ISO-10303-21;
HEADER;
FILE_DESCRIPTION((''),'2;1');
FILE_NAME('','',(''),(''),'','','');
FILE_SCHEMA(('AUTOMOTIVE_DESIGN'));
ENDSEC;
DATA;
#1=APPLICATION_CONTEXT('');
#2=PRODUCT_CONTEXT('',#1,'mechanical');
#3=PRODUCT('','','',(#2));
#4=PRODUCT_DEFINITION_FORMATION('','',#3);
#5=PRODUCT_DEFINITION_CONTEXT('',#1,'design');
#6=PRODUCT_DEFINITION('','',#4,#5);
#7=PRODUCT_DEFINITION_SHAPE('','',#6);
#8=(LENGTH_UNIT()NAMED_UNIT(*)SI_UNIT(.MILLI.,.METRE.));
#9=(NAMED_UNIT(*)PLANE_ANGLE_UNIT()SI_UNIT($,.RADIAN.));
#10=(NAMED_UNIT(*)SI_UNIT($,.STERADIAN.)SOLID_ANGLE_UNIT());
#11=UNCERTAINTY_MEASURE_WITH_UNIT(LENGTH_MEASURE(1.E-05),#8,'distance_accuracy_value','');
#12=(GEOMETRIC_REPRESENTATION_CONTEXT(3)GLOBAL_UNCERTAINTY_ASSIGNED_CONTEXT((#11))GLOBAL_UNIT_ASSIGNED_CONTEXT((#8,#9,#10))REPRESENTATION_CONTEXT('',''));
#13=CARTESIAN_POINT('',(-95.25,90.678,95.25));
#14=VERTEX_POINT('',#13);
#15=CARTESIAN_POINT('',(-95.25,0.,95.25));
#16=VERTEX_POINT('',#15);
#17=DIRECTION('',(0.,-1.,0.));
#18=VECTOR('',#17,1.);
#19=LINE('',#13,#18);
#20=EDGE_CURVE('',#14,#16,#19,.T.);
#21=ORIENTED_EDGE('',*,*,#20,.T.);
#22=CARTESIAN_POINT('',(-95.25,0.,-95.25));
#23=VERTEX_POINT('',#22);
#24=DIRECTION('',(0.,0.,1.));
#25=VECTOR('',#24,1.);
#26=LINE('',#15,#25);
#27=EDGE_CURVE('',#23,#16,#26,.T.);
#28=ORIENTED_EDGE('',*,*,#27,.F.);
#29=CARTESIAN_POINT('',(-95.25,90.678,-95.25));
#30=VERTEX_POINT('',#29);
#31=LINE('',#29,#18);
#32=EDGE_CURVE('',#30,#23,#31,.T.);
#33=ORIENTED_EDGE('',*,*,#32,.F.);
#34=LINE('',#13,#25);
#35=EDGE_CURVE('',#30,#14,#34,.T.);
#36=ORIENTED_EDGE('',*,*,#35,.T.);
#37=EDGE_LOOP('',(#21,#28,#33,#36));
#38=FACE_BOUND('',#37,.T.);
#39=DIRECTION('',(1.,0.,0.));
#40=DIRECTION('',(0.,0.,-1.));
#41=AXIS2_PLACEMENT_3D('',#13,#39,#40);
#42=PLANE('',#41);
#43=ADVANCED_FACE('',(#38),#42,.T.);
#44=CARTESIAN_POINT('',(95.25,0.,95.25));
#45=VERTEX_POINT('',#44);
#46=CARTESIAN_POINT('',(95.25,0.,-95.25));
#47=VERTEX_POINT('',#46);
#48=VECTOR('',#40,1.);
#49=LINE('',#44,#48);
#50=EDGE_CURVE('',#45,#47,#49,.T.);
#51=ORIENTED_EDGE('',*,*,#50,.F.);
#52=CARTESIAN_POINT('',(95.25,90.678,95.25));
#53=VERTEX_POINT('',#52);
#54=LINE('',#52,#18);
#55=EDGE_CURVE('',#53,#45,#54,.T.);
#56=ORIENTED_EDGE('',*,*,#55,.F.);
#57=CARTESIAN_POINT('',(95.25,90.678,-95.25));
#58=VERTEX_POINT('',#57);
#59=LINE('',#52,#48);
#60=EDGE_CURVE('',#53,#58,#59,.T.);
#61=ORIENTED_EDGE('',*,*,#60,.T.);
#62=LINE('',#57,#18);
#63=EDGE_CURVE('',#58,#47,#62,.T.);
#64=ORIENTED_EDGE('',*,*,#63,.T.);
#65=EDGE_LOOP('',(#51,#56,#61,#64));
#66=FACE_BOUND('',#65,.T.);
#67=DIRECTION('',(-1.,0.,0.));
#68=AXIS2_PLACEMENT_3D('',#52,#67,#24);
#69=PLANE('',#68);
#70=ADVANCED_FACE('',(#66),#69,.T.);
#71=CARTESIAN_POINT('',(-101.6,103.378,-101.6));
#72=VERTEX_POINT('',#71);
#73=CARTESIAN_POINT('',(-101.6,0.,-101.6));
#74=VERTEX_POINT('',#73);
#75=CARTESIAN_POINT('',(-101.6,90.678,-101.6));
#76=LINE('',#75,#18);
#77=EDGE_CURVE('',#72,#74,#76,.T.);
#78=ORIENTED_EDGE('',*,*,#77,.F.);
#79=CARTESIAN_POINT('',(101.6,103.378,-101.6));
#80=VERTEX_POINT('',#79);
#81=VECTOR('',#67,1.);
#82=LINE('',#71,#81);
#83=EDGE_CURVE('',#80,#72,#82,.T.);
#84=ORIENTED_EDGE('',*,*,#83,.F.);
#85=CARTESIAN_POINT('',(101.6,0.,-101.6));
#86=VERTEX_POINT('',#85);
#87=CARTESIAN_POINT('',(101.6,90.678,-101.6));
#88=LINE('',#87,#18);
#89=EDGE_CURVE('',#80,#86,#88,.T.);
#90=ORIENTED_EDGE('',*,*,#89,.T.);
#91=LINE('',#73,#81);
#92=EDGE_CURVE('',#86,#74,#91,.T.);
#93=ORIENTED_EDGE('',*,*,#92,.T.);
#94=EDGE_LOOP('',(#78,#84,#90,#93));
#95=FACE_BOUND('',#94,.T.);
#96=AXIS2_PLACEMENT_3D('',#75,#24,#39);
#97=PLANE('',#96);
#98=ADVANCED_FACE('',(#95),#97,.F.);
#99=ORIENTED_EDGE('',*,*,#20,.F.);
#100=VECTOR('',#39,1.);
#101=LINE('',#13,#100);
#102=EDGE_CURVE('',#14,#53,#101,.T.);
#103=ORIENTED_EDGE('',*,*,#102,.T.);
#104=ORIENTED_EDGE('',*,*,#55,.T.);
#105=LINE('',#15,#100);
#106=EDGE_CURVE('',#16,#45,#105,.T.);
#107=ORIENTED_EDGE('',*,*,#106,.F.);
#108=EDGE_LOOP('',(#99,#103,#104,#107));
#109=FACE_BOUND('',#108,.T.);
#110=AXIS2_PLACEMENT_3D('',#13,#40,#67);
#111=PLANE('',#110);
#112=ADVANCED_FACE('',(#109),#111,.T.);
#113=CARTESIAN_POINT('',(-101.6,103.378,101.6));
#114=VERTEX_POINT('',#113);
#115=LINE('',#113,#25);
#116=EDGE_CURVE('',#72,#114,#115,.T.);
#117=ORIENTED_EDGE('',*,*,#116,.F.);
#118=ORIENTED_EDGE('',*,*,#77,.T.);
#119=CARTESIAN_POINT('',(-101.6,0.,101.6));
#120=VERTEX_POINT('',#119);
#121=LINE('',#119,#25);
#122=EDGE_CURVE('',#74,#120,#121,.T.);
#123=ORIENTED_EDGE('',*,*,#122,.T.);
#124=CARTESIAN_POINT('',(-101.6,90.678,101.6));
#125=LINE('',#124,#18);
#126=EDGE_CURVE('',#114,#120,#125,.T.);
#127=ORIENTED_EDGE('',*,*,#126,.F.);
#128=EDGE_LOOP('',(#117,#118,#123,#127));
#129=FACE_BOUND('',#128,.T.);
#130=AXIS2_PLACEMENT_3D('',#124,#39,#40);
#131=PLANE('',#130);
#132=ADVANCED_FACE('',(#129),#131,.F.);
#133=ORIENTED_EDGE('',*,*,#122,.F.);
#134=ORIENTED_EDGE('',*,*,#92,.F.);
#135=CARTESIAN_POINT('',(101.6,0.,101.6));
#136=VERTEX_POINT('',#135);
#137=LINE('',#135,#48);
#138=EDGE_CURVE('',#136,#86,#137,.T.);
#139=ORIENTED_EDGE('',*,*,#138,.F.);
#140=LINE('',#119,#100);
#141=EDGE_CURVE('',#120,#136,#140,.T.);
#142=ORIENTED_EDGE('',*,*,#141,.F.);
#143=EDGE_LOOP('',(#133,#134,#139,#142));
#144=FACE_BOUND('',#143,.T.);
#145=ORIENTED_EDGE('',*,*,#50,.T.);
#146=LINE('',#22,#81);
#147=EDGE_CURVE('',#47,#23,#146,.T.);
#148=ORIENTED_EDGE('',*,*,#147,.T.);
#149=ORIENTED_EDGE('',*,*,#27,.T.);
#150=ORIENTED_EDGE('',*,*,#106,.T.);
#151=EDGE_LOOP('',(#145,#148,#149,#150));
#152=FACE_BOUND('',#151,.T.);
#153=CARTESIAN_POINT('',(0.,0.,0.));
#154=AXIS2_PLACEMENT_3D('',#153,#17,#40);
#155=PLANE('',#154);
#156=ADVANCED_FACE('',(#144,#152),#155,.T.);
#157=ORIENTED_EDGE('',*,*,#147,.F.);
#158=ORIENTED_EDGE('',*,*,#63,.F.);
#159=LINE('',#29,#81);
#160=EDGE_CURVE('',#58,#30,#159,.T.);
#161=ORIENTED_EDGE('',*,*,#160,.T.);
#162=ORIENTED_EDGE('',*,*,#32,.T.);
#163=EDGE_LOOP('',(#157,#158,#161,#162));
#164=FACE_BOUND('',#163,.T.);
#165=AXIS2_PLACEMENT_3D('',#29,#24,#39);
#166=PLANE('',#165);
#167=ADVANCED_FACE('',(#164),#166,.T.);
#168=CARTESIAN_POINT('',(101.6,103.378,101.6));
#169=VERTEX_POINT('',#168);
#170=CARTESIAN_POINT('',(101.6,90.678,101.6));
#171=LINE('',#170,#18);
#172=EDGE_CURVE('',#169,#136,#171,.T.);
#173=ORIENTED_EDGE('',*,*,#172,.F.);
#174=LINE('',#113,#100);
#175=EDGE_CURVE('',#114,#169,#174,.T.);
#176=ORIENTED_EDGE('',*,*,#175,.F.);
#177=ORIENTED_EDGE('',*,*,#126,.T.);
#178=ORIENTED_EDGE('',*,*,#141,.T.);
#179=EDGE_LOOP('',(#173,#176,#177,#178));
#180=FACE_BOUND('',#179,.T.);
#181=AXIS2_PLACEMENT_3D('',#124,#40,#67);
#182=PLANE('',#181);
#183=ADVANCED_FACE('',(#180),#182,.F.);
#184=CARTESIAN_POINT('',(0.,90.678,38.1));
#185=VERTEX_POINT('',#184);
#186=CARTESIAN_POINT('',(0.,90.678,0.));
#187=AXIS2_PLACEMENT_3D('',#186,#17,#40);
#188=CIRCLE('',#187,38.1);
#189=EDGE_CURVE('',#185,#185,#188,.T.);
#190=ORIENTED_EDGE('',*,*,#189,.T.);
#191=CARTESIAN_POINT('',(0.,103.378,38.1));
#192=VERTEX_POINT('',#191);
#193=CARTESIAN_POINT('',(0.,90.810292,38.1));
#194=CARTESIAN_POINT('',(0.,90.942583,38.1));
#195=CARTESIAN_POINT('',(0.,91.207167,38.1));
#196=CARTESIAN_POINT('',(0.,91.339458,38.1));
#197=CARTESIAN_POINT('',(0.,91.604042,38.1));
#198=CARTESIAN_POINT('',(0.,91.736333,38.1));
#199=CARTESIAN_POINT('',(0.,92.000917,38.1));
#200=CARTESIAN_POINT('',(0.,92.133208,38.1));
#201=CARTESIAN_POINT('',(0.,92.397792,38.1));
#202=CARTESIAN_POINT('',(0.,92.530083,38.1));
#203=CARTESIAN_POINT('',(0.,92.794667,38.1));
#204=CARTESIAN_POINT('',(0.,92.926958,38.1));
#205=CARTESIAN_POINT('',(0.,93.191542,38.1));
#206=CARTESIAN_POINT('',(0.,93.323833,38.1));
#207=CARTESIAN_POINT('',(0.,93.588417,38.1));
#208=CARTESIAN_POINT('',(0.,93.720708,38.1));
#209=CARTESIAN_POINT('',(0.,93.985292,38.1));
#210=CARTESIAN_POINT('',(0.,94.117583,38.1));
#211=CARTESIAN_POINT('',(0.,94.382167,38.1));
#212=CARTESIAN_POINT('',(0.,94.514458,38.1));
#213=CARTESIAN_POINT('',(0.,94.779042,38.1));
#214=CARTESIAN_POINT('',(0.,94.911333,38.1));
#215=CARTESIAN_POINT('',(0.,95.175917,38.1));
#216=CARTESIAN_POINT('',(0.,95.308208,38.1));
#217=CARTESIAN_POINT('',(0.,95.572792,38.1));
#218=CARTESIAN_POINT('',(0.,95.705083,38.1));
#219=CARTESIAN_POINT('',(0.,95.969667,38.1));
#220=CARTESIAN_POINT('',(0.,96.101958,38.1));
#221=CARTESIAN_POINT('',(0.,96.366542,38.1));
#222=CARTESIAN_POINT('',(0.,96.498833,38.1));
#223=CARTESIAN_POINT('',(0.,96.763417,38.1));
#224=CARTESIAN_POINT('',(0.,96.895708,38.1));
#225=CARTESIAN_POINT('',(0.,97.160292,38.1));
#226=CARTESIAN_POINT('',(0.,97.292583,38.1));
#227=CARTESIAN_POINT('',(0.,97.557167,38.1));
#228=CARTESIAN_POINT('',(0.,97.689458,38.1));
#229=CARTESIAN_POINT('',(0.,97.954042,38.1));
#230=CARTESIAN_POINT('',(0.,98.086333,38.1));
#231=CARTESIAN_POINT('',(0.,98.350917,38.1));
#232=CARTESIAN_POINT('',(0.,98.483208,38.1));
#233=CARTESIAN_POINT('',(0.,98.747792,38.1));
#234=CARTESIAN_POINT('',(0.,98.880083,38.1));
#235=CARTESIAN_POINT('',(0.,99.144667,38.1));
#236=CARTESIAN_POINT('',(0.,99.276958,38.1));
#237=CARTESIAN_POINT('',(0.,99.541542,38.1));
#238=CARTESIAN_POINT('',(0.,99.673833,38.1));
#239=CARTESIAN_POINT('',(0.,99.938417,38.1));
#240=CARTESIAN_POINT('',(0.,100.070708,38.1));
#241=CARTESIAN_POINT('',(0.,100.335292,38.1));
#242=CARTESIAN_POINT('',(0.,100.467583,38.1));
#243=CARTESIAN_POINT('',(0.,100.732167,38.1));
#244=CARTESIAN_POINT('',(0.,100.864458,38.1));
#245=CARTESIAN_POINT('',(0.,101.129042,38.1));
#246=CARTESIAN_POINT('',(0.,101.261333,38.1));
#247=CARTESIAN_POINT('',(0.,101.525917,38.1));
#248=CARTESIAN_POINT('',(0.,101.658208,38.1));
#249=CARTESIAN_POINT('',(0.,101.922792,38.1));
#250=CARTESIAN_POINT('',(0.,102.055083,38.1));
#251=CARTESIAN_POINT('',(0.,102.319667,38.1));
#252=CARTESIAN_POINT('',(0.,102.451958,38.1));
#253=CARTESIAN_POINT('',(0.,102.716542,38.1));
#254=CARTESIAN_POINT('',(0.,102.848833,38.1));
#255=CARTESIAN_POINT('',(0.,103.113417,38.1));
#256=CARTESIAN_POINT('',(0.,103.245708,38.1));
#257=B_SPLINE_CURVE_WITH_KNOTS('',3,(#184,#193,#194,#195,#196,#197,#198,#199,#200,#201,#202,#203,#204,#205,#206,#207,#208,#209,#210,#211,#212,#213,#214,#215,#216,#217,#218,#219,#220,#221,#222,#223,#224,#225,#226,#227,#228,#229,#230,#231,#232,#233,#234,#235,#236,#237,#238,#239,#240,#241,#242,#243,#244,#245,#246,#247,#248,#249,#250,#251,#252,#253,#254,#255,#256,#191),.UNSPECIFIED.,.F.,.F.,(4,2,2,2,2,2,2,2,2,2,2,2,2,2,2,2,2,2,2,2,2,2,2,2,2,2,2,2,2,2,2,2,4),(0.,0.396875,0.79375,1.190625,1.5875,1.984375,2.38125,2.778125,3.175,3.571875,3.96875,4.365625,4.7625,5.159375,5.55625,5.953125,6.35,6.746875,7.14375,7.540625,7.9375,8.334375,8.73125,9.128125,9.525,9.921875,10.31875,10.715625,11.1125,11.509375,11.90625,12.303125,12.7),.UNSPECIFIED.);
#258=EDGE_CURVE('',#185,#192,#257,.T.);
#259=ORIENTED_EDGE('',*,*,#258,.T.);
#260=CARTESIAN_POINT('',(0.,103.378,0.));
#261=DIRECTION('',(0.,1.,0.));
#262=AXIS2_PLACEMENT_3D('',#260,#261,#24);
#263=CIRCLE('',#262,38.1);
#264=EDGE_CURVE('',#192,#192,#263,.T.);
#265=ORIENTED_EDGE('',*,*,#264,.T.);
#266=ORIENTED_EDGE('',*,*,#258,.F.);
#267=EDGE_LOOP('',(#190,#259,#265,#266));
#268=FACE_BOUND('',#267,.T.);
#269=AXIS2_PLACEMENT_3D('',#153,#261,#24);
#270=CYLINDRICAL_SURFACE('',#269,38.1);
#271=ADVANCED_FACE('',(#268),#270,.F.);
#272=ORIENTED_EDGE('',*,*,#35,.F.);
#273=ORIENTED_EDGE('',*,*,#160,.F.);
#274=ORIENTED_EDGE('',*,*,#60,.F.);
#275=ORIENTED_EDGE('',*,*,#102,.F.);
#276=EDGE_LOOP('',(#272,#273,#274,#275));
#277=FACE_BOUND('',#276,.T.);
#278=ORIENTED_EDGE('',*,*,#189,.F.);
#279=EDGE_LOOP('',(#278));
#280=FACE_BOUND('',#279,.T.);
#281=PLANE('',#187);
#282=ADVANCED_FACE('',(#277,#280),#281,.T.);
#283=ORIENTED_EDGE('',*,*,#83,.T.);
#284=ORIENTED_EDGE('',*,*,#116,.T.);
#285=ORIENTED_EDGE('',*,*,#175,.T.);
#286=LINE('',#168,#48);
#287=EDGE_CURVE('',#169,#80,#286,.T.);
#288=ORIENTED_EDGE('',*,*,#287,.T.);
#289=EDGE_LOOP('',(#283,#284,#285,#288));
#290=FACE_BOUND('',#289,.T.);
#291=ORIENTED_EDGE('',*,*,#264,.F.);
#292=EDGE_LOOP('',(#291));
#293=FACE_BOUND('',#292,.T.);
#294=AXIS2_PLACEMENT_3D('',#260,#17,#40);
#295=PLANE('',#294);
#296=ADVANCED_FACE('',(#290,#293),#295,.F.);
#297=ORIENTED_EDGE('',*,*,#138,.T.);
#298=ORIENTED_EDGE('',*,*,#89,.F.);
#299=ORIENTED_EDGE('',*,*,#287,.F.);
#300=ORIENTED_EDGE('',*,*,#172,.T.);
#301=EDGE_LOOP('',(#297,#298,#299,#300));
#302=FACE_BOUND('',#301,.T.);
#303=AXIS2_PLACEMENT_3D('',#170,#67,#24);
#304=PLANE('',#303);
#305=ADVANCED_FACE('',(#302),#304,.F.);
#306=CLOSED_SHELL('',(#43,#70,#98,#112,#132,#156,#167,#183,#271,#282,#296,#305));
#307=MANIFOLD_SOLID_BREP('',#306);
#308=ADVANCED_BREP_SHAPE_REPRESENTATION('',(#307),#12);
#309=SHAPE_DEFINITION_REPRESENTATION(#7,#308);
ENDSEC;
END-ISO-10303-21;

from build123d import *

# Parameters (mm, degrees)
SKETCH1_W           = 203.2
SKETCH1_H           = 203.2
SKETCH1_W_2         = 190.5
SKETCH1_H_2         = 190.5
BOSS_EXTRUDE1_DEPTH = 90.678
SKETCH2_W           = 203.2
SKETCH2_H           = 203.2
BOSS_EXTRUDE2_DEPTH = 12.7
SKETCH4_R           = 38.1
CUT_EXTRUDE3_DEPTH  = 178.008844084


with BuildPart() as part:
    # Sketch1 → Boss-Extrude1 (new body)
    with BuildSketch(Plane(origin=(0, 0, 0), x_dir=(1, 0, 0), z_dir=(0, 1, 0))):
        Rectangle(SKETCH1_W, SKETCH1_H)
        Rectangle(SKETCH1_W_2, SKETCH1_H_2, mode=Mode.SUBTRACT)
    extrude(amount=BOSS_EXTRUDE1_DEPTH)

    # Sketch2 → Boss-Extrude2 (add)
    with BuildSketch(Plane(origin=(0, 90.678, 0), x_dir=(1, 0, 0), z_dir=(0, 1, 0))):
        Rectangle(SKETCH2_W, SKETCH2_H)
    extrude(amount=BOSS_EXTRUDE2_DEPTH)

    # Sketch4 → Cut-Extrude3 (cut, through all)
    with BuildSketch(Plane(origin=(0, 103.378, 0), x_dir=(1, 0, 0), z_dir=(0, 1, 0))):
        with Locations(Location((0, 0, 0), (0, 0, 270))):
            Circle(SKETCH4_R)
    extrude(amount=-CUT_EXTRUDE3_DEPTH, mode=Mode.SUBTRACT)


solid = part.part
